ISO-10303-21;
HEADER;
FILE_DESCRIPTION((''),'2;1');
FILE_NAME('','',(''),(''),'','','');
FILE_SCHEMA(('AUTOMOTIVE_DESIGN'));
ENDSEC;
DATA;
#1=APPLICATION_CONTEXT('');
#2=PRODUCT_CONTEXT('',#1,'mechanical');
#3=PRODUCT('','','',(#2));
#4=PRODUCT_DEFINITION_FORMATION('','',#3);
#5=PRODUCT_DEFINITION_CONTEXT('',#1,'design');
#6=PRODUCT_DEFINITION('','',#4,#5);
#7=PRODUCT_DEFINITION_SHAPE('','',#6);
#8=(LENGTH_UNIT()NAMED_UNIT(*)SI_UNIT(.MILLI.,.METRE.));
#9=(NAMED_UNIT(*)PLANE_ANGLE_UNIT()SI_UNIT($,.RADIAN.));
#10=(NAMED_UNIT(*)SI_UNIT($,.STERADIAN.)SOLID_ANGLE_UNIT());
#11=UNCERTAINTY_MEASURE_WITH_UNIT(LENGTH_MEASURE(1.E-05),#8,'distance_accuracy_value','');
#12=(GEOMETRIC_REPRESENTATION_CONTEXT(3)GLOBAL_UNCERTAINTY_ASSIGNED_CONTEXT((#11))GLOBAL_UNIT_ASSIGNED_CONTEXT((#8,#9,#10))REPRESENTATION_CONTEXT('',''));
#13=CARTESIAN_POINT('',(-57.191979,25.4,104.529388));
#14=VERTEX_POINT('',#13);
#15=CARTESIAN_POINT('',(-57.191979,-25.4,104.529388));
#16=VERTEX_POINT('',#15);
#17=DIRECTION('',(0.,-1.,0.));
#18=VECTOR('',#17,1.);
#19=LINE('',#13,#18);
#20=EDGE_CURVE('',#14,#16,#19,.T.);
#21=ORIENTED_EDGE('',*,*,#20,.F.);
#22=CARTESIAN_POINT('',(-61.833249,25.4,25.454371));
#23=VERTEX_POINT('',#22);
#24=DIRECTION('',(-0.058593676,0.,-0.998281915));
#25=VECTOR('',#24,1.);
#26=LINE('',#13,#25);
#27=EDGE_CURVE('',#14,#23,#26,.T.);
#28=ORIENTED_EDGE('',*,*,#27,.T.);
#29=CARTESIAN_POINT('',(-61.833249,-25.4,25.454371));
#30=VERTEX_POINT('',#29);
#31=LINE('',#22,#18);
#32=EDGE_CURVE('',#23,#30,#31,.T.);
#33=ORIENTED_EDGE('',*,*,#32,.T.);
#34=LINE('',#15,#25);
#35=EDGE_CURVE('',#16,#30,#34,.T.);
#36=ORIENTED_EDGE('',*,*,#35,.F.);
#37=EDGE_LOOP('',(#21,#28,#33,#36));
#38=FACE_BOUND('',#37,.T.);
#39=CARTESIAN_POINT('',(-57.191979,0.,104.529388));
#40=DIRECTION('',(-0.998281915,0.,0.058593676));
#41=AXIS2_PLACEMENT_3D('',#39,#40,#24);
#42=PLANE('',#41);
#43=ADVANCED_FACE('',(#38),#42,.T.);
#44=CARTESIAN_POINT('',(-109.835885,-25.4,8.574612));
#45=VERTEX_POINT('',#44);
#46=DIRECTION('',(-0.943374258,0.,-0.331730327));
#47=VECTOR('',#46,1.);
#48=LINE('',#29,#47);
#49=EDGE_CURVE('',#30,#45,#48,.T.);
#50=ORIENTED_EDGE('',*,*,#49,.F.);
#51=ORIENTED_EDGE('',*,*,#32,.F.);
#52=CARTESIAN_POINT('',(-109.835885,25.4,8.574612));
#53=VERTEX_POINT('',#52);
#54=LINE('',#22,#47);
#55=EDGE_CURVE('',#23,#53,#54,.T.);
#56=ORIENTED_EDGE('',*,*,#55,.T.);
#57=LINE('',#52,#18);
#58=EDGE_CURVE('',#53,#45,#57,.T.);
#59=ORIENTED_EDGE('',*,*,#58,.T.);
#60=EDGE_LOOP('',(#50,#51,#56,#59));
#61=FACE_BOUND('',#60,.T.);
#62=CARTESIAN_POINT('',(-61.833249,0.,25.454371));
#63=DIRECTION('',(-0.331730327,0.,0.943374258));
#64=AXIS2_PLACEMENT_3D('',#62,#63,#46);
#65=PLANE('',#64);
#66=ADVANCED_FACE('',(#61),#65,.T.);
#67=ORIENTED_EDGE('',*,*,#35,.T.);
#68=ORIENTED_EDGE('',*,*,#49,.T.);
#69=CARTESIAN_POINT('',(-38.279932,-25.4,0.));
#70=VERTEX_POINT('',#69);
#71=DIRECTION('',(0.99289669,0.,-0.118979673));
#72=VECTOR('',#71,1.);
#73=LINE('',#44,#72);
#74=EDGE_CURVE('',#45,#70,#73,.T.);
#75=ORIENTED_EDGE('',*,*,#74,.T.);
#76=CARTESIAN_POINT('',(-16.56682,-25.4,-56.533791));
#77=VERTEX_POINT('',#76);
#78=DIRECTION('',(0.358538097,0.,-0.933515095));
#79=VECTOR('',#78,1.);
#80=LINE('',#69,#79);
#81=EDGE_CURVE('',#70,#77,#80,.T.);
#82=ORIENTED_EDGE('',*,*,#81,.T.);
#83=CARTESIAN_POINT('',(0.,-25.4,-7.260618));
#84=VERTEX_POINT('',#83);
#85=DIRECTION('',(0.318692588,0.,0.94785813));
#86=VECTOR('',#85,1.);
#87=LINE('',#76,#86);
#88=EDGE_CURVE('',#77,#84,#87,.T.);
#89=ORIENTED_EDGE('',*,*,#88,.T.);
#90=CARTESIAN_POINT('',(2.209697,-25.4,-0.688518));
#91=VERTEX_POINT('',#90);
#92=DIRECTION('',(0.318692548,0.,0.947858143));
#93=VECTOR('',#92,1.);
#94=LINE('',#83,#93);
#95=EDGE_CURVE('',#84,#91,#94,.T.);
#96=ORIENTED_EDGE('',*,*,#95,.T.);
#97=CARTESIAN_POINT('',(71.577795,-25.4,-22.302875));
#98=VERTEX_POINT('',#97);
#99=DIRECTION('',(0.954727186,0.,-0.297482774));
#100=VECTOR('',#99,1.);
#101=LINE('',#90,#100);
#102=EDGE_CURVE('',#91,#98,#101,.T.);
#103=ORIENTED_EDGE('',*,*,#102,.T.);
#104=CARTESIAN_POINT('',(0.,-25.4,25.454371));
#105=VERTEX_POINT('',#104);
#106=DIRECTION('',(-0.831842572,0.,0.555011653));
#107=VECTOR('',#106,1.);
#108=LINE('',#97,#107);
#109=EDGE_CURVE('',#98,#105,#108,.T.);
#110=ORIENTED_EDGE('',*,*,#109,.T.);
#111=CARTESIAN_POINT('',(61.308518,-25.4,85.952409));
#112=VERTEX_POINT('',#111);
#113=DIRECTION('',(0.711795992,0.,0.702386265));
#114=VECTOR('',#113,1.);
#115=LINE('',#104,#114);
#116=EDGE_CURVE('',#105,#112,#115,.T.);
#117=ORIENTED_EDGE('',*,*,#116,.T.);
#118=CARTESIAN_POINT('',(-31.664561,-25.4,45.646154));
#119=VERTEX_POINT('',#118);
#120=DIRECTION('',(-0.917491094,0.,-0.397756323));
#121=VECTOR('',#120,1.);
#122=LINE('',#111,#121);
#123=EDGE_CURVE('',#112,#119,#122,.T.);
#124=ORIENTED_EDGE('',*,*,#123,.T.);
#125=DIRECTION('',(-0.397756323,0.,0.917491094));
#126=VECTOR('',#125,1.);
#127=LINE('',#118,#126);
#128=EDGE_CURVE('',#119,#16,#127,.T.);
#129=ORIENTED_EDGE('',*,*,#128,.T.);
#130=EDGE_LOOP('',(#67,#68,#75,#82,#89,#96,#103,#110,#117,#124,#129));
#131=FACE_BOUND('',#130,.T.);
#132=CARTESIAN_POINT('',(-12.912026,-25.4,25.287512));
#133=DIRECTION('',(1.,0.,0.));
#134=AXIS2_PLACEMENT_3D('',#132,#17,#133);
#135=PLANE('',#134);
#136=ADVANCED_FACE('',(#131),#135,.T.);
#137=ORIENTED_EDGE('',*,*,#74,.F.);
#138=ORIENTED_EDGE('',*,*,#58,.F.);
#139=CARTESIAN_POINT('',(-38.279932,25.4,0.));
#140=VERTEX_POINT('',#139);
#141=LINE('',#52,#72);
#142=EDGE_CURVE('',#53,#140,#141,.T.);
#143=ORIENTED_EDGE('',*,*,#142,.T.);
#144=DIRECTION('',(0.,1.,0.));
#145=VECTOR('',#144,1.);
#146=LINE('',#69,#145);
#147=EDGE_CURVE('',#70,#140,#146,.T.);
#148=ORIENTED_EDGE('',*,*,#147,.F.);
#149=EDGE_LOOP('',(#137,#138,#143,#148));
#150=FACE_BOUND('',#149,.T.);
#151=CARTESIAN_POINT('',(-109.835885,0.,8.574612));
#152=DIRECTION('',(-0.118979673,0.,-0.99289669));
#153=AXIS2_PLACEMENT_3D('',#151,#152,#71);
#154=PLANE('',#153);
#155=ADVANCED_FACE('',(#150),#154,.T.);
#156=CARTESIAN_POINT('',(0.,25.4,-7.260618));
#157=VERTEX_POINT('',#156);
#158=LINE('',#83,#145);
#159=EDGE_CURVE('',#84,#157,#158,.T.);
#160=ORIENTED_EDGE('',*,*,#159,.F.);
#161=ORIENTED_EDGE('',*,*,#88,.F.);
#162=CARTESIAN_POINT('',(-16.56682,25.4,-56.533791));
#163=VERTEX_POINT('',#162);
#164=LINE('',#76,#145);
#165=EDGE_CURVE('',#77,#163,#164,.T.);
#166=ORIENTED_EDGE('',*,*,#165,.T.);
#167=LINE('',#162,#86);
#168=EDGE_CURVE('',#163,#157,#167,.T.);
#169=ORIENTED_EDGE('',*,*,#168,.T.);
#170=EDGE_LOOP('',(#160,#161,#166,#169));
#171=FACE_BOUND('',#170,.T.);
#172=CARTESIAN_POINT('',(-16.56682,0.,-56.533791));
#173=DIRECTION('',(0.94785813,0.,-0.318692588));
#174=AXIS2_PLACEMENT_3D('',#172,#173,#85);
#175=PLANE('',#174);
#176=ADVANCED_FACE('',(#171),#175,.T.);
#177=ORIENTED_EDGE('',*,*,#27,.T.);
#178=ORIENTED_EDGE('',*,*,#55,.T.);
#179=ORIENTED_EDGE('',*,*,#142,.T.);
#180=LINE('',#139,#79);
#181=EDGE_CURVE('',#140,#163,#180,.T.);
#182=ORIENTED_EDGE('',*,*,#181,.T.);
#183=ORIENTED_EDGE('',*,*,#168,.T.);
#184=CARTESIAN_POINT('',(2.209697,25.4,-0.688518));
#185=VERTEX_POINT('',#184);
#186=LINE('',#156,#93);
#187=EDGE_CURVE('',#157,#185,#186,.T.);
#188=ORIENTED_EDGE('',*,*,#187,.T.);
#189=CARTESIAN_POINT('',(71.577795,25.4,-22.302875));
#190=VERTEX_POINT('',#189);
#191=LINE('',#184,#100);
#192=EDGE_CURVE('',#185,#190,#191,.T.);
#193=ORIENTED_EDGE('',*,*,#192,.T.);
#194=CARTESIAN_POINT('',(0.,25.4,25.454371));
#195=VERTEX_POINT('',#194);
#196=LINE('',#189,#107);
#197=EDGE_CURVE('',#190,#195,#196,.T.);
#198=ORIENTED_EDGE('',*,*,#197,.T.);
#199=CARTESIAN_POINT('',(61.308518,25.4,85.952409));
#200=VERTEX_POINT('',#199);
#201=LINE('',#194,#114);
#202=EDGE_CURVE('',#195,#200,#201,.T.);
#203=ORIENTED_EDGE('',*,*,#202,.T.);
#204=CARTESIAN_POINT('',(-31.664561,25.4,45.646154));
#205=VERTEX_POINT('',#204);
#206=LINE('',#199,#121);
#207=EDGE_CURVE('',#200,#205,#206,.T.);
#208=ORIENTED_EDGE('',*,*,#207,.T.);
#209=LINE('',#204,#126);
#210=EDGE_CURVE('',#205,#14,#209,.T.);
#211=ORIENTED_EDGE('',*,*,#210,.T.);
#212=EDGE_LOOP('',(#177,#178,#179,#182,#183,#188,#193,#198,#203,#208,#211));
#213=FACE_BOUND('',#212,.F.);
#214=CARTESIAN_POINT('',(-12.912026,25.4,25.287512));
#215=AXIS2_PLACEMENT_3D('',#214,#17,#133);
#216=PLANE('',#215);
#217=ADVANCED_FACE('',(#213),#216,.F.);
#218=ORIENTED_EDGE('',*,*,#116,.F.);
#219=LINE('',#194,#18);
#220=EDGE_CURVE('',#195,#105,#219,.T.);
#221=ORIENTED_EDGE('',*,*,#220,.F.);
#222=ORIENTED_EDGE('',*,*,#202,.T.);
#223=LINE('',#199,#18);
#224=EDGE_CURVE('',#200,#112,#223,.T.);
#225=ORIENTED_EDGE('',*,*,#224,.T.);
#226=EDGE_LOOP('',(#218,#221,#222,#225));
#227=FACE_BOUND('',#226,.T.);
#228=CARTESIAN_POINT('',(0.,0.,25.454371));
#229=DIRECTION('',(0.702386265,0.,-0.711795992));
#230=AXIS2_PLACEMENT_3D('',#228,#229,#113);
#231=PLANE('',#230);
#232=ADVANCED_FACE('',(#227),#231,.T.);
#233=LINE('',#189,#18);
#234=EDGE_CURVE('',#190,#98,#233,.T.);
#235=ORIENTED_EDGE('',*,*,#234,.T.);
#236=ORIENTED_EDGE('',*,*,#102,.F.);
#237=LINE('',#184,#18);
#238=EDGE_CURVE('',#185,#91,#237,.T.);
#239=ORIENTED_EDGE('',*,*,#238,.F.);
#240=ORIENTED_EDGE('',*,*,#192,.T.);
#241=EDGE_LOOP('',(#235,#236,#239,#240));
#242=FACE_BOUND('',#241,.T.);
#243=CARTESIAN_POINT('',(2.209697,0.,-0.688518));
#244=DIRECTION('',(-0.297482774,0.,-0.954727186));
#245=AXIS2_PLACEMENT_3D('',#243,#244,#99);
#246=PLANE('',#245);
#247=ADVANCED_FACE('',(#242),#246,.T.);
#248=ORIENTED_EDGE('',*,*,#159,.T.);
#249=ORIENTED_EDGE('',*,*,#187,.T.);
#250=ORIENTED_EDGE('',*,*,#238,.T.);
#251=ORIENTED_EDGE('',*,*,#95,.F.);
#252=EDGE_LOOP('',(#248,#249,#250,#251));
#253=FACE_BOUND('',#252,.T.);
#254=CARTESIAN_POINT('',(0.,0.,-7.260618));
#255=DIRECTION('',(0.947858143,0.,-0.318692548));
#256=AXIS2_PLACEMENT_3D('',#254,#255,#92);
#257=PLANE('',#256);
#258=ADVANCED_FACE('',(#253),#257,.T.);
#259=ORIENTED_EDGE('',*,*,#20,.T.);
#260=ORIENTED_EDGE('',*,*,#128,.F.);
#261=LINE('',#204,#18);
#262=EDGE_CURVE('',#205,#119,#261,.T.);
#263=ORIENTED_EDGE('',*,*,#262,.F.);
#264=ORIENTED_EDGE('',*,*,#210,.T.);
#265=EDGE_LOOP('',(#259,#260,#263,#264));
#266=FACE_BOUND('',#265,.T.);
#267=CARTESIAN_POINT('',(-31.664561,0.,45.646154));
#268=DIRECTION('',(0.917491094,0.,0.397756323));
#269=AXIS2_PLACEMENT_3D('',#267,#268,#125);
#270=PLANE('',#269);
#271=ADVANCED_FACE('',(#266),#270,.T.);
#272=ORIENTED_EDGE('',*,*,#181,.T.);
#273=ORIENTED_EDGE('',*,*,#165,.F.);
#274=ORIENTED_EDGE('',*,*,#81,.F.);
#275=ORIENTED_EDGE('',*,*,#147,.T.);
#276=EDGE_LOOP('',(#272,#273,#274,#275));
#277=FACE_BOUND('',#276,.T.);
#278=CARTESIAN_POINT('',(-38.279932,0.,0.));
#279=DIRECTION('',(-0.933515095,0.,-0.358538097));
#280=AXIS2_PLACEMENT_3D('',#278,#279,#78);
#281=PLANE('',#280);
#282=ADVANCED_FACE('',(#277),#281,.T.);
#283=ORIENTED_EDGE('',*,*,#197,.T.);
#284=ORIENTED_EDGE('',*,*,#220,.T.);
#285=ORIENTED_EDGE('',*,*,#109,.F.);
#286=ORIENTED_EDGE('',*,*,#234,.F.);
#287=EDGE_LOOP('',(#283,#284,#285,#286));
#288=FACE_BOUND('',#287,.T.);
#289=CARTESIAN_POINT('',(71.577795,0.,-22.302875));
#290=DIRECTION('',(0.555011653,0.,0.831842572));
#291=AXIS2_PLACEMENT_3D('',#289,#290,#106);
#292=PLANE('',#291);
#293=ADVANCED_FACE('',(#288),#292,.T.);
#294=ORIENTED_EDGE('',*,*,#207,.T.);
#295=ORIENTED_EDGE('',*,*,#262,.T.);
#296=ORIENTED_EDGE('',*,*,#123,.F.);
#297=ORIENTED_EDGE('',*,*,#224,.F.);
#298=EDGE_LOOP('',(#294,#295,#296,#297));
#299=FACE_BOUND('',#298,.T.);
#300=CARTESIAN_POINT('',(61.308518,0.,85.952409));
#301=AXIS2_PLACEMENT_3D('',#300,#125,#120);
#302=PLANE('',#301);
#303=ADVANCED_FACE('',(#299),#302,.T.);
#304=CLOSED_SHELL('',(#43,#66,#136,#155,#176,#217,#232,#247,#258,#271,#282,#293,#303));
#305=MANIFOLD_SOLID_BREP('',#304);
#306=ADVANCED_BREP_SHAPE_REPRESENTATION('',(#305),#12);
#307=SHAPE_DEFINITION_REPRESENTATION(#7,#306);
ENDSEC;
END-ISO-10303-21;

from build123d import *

# Parameters (mm, degrees)
F1_DEPTH = 25.4


with BuildPart() as f1:
    # F0 (on Front) → F1 (new body, symmetric)
    with BuildSketch(Plane.XZ):
        Polygon((0, -7.260618), (2.209697, -0.688518), (71.577795, -22.302875), (0, 25.454371), (61.308518, 85.952409), (-31.664561, 45.646154), (-57.191979, 104.529388), (-61.833249, 25.454371), (-109.835885, 8.574612), (-38.279932, 0), (-16.56682, -56.533791), align=None)
    extrude(amount=F1_DEPTH, both=True)


solid = f1.part
